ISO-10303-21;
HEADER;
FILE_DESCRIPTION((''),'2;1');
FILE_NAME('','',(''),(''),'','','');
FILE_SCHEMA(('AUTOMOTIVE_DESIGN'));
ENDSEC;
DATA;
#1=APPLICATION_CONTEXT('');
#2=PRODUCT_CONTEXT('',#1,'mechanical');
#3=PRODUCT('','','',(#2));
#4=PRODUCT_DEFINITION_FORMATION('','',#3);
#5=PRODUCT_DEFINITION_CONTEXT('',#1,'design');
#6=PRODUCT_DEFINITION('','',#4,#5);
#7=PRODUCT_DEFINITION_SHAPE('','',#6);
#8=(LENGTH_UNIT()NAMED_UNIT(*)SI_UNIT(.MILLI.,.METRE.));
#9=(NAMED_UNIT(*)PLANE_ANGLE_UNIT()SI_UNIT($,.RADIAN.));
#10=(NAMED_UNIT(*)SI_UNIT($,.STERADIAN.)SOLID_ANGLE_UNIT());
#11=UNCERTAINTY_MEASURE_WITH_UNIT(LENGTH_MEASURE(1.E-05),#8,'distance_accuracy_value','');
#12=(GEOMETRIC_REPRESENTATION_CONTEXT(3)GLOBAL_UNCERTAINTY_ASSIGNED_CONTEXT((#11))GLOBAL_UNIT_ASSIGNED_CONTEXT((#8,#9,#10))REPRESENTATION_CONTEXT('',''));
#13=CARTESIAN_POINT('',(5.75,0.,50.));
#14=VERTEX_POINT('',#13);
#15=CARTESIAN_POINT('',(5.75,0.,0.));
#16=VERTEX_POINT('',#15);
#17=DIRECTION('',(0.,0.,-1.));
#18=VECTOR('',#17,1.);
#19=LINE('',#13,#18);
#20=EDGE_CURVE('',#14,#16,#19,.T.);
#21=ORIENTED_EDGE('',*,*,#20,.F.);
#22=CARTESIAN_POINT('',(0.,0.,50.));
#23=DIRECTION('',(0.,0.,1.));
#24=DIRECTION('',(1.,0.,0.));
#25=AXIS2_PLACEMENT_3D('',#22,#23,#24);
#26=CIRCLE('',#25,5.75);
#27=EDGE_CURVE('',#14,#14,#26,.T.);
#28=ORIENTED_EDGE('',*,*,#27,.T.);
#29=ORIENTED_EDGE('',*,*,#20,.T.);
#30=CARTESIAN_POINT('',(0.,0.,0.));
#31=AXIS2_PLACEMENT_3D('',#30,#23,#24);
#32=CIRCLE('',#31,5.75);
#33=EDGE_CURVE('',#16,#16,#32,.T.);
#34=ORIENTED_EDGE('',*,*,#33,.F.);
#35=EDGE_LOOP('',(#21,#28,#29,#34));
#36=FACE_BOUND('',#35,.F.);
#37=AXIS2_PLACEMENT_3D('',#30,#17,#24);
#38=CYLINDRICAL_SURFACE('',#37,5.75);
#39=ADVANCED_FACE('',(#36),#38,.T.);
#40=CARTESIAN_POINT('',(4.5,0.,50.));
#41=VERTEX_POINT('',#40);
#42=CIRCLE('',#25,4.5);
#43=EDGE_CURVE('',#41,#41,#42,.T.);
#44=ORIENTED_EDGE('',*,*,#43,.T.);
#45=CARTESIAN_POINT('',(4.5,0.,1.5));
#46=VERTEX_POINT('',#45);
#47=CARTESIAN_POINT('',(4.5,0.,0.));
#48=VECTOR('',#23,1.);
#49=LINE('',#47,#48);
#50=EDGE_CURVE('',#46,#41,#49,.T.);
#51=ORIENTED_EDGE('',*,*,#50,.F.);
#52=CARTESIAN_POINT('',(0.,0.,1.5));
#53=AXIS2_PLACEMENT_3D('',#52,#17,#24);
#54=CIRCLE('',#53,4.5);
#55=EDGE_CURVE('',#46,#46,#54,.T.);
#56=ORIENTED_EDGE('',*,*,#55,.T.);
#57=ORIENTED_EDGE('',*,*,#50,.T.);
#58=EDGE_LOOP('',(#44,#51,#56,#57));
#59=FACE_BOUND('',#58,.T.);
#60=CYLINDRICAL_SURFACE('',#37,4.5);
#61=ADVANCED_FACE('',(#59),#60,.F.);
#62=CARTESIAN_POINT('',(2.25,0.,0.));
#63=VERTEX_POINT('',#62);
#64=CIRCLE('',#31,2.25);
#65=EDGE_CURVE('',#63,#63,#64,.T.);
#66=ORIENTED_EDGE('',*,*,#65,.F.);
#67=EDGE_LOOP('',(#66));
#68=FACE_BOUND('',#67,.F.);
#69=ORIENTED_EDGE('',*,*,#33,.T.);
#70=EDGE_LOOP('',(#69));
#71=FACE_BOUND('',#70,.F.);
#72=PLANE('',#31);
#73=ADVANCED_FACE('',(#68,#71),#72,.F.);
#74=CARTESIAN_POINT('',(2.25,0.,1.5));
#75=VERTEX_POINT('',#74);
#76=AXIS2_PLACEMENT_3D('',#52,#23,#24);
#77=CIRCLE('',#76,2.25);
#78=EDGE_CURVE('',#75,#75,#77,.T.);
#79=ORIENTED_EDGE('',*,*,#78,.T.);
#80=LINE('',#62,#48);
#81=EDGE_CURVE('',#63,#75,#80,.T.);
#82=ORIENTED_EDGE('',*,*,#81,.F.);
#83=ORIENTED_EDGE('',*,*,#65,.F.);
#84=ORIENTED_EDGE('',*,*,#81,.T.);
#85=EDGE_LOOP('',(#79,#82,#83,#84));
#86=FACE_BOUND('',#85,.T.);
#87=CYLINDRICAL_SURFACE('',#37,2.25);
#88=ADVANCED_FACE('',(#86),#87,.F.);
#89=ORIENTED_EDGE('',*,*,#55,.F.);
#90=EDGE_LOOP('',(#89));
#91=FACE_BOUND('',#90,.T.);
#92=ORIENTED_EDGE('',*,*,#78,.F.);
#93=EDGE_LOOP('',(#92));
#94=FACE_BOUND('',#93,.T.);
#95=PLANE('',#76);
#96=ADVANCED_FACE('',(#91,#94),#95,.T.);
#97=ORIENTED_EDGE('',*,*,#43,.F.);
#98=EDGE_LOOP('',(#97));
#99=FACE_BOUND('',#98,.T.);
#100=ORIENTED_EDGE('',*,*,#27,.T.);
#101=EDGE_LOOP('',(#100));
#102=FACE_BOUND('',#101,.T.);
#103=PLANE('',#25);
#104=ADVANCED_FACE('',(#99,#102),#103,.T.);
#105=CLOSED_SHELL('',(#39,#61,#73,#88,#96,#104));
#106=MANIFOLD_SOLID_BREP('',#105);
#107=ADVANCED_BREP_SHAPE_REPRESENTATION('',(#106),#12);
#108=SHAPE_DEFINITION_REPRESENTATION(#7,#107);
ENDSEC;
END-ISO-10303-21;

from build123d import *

# Parameters (mm, degrees)
F0_R     = 5.75
F0_R_2   = 4.5
F1_DEPTH = 50
F0_R_3   = 2.25
F2_DEPTH = 1.5


with BuildPart() as f1:
    # F0 (on Top) → F1 (new body)
    with BuildSketch(Plane.XY):
        Circle(F0_R)
        Circle(F0_R_2, mode=Mode.SUBTRACT)
    extrude(amount=F1_DEPTH)

    # F0 (on Top) → F2 (join)
    with BuildSketch(Plane.XY):
        Circle(F0_R)
        Circle(F0_R_2, mode=Mode.SUBTRACT)
        Circle(F0_R_2)
        Circle(F0_R_3, mode=Mode.SUBTRACT)
    extrude(amount=F2_DEPTH)


solid = f1.part
